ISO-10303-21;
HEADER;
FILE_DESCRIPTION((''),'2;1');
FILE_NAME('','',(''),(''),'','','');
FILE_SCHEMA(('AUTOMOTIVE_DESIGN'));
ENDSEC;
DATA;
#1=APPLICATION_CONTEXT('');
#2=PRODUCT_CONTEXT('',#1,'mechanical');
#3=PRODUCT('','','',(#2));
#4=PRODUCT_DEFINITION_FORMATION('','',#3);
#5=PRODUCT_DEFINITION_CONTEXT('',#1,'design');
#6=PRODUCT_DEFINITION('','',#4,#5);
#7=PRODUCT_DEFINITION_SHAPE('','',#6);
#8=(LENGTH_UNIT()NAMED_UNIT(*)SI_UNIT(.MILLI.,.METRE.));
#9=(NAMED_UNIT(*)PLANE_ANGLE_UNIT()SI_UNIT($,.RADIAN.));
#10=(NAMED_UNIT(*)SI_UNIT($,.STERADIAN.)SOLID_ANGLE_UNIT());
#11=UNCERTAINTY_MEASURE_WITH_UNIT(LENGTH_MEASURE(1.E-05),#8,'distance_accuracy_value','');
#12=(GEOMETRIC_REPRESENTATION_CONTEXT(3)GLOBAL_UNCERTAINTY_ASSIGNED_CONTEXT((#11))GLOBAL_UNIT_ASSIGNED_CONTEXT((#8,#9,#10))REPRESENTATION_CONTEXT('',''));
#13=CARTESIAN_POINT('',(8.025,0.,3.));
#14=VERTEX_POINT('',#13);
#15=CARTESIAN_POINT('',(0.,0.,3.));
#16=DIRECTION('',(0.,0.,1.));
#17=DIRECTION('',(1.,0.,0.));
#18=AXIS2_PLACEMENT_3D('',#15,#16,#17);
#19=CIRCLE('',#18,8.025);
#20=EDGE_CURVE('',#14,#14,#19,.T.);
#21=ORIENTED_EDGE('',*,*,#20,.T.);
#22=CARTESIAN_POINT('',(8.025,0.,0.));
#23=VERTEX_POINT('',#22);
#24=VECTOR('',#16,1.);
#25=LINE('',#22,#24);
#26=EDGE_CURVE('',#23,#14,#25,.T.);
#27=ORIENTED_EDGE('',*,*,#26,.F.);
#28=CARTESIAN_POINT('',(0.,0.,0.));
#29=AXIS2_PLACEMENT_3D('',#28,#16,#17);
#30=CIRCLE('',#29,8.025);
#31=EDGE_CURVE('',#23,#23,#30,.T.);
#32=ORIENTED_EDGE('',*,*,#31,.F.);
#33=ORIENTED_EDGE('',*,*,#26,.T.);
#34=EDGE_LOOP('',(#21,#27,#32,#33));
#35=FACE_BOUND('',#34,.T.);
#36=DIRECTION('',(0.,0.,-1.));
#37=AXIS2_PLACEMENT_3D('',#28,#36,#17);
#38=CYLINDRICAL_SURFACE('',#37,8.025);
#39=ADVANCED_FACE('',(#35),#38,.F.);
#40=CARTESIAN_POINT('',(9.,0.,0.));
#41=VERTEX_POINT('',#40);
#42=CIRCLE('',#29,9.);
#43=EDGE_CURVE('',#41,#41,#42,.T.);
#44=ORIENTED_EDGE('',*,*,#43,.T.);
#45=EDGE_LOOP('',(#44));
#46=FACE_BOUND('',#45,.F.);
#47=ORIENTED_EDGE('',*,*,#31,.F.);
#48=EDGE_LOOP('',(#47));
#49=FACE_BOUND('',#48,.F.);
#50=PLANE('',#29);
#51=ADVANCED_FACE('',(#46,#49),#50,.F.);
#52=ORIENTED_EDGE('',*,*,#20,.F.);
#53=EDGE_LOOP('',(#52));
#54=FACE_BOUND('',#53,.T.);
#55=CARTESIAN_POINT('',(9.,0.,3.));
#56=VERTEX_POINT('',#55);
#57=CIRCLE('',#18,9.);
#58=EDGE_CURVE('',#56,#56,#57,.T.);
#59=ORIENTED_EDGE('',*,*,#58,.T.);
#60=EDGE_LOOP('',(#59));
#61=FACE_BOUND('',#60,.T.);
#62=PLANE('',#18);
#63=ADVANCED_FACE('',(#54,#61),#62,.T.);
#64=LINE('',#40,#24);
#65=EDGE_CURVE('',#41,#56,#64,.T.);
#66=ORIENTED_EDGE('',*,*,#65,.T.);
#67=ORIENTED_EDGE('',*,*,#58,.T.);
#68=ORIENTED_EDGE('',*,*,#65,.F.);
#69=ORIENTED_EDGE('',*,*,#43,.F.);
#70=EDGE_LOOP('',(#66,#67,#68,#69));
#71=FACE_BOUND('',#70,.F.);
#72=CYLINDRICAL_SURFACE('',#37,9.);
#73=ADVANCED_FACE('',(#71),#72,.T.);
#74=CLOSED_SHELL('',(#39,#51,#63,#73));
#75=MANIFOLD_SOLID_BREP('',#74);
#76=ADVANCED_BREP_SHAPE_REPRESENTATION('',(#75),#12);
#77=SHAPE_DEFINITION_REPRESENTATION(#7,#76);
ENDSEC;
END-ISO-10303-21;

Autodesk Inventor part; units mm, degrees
ref_plane "YZ Plane" through (0, 0, 0) normal (1, 0, 0) x (0, 1, 0)
ref_plane "XZ Plane" through (0, 0, 0) normal (0, 1, 0) x (-1, 0, 0)
ref_plane "XY Plane" through (0, 0, 0) normal (0, 0, 1) x (1, 0, 0)
sketch "スケッチ1" plane through (0, 0, 0) normal (0, 0, 1) x (1, 0, 0)
  circle A0 centre (0, 0) radius 8.025
  circle A1 centre (-2.8284, 2.8284) radius 1.5
  circle A2 centre (-1.0353, -3.8637) radius 1.5
  circle A3 centre (3.8637, 1.0353) radius 1.5
  circle A4 centre (0, 0) radius 9
  dimension "d0" = 16.05
  dimension "d1" = 3
  dimension "d2" = 4
  dimension "d5" = 360
  dimension "d9" = 18
extrude "押し出し2" add sketch "スケッチ1" along normal blind 3 contours A4
properties part number "アームカムD18" material "アセタール樹脂、白"
